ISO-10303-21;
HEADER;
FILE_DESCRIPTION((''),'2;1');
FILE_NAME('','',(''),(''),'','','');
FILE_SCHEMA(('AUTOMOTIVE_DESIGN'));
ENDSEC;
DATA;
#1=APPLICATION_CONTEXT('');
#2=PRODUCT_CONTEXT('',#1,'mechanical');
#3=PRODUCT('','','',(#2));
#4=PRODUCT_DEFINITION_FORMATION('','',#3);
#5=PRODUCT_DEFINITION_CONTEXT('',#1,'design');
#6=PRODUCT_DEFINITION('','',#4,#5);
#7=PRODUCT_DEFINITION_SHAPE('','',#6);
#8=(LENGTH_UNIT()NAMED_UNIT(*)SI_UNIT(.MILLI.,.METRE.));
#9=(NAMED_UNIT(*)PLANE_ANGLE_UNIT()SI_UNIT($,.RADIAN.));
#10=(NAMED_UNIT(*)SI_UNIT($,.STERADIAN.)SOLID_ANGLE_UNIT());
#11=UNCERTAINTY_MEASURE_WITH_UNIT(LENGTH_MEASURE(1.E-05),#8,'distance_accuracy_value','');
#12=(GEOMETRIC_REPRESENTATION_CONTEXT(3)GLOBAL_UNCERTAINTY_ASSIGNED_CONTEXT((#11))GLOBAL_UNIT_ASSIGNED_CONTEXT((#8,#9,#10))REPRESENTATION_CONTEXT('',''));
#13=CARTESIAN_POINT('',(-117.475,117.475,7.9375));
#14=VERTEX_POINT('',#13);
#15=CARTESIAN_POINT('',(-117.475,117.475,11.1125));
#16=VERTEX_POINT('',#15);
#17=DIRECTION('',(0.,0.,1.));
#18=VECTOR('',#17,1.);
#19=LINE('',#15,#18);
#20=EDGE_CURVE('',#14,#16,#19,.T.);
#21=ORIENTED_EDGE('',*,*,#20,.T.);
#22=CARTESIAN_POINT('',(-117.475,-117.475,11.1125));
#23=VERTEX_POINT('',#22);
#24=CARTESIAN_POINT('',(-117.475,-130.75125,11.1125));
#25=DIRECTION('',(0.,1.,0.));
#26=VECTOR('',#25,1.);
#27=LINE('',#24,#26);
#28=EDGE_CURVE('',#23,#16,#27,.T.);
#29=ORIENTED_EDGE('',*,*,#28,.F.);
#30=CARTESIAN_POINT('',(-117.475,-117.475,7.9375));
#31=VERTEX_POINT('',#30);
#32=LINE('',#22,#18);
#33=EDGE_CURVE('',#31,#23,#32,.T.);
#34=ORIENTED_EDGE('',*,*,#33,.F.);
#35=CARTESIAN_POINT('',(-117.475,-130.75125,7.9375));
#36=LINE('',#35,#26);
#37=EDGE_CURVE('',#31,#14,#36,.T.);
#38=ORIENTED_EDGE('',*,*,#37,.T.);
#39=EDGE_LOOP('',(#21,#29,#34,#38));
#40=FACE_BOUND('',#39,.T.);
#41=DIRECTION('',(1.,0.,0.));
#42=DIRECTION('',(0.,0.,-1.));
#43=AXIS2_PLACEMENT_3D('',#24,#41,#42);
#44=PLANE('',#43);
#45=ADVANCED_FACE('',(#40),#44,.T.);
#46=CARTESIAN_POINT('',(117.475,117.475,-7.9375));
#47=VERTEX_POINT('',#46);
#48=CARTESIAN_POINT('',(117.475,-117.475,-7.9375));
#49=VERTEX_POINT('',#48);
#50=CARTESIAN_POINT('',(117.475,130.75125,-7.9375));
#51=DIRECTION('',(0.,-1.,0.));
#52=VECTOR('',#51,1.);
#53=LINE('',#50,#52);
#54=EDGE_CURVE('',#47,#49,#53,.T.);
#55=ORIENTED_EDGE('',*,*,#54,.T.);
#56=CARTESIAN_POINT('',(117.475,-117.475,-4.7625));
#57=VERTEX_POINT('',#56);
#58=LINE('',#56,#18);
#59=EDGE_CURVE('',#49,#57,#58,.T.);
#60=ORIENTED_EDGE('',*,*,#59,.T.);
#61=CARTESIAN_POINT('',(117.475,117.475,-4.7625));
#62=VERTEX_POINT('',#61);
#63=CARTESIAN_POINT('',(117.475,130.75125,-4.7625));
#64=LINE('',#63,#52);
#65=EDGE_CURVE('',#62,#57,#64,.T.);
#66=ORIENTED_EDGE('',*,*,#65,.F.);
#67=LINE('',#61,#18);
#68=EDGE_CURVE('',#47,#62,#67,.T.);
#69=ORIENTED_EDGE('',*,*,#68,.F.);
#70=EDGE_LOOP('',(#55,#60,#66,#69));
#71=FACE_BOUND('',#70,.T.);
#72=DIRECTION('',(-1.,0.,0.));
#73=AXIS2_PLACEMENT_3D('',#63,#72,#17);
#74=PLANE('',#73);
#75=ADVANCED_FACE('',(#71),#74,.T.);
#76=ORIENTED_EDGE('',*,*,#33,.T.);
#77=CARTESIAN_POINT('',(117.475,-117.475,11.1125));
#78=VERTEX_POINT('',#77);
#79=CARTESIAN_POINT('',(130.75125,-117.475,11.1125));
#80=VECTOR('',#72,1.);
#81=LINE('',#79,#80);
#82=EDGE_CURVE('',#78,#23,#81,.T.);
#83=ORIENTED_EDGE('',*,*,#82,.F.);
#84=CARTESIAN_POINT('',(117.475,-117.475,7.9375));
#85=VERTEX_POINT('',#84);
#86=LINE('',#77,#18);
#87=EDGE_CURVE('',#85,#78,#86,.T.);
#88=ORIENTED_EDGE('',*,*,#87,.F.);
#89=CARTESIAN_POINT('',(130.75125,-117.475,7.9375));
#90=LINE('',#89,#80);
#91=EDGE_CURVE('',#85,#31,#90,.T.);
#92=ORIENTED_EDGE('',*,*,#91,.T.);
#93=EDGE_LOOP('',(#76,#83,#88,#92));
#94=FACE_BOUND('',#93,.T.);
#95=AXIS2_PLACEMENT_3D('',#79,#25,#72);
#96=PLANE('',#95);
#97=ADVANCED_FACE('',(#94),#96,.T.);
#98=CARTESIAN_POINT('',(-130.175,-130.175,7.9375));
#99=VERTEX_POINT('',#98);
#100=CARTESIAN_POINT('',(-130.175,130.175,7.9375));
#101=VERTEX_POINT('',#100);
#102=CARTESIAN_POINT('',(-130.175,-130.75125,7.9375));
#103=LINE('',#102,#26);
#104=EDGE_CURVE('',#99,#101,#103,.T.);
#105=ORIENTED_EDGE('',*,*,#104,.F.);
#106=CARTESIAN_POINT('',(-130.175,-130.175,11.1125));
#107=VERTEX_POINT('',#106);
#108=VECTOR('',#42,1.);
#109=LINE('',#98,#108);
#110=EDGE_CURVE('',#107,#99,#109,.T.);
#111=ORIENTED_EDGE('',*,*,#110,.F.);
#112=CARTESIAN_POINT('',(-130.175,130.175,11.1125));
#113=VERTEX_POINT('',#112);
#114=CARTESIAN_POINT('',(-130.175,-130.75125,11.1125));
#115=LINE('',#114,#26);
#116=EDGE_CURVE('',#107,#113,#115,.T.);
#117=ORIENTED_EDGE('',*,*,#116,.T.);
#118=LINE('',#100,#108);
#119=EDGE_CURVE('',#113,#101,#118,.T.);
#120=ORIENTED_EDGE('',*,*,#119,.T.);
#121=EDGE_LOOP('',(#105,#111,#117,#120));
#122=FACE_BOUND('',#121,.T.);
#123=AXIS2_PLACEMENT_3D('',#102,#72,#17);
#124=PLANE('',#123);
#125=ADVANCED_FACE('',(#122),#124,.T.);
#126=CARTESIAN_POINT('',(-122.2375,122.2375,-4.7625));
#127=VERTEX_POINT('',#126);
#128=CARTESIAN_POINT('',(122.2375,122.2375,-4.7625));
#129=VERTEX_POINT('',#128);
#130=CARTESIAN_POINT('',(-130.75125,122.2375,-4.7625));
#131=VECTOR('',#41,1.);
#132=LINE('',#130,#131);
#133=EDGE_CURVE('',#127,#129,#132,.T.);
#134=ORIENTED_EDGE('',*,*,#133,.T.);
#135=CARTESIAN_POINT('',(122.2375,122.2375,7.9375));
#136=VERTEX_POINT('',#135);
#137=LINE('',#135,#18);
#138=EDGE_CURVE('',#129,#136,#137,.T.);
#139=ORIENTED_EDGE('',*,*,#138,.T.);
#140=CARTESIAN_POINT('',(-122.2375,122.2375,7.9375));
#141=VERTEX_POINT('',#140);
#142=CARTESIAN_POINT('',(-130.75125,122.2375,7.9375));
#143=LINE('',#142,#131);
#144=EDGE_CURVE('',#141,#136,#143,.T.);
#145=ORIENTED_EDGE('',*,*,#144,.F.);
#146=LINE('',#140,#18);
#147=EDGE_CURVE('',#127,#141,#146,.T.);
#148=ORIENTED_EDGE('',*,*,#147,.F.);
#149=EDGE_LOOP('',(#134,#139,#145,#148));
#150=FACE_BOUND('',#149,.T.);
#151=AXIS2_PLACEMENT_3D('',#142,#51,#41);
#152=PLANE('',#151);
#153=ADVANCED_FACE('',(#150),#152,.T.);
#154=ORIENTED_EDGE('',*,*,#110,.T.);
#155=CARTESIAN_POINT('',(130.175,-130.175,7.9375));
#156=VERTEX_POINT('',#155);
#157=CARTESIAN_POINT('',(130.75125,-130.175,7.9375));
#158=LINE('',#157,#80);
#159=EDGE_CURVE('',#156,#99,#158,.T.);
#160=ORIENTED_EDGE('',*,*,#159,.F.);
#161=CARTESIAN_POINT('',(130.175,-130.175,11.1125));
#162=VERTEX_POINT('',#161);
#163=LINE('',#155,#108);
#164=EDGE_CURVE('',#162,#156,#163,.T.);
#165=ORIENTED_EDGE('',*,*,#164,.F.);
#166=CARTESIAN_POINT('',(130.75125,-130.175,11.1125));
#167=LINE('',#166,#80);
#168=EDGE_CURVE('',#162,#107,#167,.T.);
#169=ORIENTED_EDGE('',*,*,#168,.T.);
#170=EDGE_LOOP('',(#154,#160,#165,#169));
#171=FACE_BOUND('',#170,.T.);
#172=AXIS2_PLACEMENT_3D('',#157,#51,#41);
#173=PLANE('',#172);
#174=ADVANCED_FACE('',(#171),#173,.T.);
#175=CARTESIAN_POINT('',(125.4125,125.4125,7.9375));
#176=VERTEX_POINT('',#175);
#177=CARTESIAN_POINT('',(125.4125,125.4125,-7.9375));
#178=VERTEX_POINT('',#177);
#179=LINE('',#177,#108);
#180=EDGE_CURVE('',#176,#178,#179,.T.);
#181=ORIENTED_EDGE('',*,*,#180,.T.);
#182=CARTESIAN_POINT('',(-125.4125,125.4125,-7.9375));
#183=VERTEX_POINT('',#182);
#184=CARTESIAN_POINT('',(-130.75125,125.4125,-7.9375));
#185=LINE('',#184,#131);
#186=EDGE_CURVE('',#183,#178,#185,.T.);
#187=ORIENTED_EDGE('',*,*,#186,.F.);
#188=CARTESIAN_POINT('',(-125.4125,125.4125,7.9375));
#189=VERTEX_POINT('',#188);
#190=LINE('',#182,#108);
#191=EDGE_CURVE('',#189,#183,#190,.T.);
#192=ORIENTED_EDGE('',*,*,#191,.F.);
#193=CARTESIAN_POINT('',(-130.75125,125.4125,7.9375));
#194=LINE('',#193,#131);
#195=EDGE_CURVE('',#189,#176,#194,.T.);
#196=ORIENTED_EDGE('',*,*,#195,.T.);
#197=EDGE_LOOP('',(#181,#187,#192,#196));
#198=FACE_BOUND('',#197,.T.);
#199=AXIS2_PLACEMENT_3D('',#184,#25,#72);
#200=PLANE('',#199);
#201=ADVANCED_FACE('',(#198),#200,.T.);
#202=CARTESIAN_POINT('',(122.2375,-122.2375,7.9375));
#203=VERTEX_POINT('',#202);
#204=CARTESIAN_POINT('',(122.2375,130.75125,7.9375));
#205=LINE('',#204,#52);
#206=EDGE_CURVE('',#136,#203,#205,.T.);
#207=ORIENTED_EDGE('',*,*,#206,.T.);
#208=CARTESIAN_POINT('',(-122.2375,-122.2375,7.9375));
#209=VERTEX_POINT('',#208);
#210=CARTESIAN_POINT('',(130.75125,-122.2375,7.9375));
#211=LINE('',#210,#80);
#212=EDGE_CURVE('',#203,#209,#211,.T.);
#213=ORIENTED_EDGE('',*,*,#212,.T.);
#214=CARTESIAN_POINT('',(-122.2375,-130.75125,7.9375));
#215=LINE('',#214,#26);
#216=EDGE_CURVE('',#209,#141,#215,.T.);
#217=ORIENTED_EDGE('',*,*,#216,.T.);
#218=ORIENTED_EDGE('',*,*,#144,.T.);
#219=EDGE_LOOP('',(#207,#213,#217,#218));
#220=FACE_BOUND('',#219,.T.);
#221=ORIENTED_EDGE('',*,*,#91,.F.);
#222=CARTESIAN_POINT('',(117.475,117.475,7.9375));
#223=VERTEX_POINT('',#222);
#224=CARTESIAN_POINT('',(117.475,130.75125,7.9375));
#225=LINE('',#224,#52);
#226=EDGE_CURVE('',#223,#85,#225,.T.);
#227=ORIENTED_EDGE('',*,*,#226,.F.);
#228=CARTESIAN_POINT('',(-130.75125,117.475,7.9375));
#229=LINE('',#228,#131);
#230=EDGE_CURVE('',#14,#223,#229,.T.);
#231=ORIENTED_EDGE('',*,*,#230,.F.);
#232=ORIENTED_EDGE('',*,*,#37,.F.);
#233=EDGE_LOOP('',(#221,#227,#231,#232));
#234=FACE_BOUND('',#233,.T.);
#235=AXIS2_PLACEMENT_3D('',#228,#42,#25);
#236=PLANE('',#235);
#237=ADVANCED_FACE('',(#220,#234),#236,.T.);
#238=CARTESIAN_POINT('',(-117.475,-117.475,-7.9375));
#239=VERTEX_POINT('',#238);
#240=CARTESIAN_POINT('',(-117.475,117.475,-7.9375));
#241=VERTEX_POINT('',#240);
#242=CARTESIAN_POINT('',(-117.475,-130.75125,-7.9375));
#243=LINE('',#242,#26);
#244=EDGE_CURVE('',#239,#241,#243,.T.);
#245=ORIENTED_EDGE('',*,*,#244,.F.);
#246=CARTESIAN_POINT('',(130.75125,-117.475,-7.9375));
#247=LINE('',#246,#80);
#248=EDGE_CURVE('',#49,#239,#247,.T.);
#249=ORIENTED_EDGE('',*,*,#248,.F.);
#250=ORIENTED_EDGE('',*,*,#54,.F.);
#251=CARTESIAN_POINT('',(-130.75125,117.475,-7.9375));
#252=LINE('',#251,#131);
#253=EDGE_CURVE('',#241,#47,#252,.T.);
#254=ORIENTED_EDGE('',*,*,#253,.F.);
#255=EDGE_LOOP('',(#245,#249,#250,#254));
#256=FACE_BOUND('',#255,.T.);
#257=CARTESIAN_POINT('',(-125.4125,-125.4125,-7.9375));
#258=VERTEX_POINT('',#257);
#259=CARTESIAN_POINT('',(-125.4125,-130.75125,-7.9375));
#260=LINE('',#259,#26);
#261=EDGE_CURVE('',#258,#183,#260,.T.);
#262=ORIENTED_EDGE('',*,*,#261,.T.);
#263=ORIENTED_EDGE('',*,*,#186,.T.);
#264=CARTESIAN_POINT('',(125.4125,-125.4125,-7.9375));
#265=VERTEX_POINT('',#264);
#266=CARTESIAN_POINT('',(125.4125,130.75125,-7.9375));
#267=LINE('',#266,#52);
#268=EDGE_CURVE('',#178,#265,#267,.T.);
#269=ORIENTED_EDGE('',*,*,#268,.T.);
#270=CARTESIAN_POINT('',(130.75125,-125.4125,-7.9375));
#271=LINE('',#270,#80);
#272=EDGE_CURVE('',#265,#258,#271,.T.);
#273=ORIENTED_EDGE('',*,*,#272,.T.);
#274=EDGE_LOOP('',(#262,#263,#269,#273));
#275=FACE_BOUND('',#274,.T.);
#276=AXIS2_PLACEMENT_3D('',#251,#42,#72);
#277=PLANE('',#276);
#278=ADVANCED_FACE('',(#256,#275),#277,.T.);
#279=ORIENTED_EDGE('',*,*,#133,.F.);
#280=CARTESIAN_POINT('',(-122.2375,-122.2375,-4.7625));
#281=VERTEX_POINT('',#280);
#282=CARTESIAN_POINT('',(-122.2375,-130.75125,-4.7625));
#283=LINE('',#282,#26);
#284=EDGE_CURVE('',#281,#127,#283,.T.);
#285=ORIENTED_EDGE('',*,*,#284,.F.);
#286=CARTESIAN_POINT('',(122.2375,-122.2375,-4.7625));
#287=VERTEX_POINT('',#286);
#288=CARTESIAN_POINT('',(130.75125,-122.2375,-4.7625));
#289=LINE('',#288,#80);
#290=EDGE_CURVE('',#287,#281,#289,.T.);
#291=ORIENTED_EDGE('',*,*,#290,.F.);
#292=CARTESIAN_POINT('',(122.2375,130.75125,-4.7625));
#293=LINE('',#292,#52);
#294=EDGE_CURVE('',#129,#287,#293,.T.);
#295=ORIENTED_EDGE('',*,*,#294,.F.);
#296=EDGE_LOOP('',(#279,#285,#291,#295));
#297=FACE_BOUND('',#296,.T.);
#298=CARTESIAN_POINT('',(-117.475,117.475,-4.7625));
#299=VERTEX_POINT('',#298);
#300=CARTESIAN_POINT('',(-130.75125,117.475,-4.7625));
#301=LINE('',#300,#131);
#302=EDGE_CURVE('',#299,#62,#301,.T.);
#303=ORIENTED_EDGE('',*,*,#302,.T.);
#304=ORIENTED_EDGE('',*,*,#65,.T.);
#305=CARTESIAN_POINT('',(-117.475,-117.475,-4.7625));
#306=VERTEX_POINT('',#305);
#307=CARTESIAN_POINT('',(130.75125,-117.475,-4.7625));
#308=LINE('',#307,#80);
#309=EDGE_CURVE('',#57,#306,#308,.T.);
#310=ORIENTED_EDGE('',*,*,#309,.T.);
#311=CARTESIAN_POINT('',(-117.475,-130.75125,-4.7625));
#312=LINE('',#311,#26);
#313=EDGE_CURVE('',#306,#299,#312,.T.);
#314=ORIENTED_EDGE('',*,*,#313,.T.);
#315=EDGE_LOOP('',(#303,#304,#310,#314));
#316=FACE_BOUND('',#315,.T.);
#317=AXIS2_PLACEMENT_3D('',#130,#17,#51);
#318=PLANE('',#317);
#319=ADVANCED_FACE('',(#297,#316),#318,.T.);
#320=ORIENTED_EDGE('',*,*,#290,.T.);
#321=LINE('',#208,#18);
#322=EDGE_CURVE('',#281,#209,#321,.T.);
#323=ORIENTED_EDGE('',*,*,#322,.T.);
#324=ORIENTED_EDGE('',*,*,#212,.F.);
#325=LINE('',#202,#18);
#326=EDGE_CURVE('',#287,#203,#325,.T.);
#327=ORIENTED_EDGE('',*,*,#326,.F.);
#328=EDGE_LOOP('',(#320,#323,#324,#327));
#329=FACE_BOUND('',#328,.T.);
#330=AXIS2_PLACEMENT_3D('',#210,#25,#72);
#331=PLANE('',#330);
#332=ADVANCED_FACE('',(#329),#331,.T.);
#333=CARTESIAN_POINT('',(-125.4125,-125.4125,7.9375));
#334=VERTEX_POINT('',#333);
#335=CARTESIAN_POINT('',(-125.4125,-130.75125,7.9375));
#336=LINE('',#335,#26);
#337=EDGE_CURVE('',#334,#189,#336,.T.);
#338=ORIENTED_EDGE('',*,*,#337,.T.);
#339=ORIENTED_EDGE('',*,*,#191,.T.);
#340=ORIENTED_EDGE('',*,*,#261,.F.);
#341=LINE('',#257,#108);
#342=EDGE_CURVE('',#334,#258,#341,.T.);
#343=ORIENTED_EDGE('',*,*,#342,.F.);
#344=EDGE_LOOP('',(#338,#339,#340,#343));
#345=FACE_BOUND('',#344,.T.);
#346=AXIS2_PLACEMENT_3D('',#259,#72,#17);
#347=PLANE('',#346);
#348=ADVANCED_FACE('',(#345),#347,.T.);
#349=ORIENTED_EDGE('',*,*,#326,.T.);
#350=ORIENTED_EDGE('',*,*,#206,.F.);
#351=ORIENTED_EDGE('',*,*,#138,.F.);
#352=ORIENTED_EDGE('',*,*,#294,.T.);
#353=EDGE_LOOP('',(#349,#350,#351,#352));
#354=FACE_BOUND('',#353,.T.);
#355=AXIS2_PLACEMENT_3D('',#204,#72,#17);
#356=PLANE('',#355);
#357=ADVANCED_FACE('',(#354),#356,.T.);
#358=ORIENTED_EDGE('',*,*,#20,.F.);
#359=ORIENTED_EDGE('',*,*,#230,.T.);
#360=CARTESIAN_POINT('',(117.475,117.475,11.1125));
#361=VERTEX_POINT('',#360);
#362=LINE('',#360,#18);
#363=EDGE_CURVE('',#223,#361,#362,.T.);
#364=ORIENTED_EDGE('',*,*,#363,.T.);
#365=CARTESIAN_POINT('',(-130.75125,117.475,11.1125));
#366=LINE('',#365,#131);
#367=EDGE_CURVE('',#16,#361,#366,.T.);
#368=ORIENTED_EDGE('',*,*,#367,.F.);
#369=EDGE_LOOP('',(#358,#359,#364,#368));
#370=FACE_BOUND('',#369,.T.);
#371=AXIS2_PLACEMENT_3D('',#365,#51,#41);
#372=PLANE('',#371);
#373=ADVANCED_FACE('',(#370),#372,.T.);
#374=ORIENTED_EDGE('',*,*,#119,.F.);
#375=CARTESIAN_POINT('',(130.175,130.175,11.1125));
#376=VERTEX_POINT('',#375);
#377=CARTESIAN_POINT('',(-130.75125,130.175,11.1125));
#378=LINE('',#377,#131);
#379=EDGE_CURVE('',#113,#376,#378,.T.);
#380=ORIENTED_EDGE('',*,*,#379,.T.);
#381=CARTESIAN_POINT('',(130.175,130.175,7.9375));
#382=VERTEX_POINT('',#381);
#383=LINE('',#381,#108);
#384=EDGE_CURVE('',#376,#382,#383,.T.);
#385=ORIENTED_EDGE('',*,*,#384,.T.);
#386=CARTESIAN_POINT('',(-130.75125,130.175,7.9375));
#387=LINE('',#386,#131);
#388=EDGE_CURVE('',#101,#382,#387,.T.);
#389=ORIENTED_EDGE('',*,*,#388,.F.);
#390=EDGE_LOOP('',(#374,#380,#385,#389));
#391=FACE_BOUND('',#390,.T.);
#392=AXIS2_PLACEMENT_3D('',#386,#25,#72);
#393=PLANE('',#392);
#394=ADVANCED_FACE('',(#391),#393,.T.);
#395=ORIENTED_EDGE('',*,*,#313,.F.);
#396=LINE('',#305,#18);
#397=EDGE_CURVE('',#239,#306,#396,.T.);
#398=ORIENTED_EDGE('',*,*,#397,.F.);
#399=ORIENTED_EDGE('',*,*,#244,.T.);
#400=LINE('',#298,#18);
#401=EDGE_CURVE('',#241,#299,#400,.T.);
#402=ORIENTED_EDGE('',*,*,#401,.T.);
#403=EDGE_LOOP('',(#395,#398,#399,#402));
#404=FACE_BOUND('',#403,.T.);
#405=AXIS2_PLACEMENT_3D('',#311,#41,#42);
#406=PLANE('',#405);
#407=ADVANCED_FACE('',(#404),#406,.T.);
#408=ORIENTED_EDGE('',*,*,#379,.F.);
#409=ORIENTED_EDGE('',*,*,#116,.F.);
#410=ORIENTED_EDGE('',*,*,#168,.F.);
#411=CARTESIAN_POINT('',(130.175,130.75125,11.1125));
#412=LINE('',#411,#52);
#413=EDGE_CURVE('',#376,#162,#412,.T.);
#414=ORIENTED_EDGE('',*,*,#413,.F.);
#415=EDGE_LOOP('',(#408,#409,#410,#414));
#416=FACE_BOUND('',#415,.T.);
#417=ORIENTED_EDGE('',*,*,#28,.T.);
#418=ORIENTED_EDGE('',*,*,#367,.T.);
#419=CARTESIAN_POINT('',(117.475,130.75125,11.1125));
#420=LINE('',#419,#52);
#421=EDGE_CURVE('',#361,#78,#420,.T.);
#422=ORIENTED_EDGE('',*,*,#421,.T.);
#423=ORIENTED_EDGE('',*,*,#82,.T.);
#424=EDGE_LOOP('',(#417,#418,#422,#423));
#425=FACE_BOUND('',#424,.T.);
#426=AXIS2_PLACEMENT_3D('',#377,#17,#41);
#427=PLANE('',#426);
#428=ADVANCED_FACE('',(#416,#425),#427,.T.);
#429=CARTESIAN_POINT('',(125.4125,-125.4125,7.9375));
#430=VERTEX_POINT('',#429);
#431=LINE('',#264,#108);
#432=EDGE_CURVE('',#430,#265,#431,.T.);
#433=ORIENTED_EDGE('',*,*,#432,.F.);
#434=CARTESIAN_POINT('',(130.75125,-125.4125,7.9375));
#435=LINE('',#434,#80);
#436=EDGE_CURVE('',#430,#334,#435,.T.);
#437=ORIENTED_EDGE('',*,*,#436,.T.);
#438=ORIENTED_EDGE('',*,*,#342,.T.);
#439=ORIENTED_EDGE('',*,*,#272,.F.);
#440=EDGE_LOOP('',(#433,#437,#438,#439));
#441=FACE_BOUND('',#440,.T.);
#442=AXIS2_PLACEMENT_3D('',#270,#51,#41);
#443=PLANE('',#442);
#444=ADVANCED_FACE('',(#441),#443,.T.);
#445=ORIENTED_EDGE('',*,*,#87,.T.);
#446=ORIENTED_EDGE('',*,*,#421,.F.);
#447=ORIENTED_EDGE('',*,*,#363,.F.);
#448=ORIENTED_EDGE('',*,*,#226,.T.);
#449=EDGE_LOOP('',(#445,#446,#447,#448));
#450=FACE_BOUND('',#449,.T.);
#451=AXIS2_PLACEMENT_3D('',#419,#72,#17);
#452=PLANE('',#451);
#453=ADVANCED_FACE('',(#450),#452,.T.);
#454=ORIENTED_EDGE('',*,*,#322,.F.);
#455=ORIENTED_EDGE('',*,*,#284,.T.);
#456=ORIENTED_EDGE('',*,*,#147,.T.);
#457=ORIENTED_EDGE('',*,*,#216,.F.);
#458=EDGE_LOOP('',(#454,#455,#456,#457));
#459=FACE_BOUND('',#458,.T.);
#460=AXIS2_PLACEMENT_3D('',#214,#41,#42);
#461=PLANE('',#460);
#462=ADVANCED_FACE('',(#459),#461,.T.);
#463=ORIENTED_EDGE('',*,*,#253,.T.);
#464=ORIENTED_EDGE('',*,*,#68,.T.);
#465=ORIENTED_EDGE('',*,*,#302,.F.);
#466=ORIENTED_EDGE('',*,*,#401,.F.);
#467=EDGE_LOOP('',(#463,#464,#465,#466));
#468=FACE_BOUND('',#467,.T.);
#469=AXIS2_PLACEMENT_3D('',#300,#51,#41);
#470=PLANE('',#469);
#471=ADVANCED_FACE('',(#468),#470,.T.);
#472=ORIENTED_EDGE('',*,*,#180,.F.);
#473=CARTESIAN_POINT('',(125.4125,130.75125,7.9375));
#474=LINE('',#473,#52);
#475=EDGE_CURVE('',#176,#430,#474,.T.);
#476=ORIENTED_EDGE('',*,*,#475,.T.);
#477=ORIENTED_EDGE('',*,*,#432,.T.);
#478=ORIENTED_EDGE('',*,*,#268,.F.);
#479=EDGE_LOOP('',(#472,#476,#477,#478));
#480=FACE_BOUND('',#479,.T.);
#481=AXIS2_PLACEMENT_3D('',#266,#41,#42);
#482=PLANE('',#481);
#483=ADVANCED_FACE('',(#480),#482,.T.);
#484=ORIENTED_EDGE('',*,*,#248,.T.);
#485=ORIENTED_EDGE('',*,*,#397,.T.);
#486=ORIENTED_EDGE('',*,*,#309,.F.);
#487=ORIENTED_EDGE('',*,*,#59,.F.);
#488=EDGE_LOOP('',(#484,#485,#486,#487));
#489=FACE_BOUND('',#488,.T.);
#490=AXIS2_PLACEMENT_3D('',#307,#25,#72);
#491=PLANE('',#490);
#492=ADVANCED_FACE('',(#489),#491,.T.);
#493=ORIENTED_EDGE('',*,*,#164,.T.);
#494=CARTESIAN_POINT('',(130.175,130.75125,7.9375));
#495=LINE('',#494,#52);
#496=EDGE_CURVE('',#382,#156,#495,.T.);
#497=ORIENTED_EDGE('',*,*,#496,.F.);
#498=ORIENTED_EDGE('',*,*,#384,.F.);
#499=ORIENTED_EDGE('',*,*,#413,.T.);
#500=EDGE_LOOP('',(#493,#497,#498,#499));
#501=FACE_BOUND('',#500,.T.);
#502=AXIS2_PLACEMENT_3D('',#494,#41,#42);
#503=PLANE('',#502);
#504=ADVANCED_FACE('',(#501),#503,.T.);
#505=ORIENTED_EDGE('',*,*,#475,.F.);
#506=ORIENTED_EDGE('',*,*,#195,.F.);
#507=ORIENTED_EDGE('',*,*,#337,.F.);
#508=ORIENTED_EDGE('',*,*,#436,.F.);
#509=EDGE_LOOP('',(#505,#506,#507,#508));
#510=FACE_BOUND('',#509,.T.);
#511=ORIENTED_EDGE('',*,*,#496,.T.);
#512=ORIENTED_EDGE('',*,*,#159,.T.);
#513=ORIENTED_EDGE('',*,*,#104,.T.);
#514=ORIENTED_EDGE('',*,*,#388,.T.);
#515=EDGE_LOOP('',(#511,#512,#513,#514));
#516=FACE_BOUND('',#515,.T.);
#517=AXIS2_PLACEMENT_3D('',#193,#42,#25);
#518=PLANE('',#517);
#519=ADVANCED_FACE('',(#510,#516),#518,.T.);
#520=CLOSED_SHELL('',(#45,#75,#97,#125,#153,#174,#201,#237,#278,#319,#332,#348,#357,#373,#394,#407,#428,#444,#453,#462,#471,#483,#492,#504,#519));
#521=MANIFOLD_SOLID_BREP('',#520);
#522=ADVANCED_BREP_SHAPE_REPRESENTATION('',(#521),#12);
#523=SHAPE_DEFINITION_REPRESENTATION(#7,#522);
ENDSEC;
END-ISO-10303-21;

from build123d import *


with BuildPart() as part:
    # Sweep1: sweep along a path in Sketch2
    with BuildLine(Plane.XY) as sweep1_path:
        Line((125.4125, -125.4125), (-125.4125, -125.4125))
        Line((-125.4125, -125.4125), (-125.4125, 125.4125))
        Line((-125.4125, 125.4125), (125.4125, 125.4125))
        Line((125.4125, 125.4125), (125.4125, -125.4125))
    # Sketch1 → Sweep1 (sweep)
    with BuildSketch(Plane(origin=(0, 0, 0), x_dir=(1, 0, 0), z_dir=(0, 1, 0))):
        Polygon((-125.4125, 7.9375), (-125.4125, -7.9375), (-130.175, -7.9375), (-130.175, -11.1125), (-117.475, -11.1125), (-117.475, -7.9375), (-122.2375, -7.9375), (-122.2375, 4.7625), (-117.475, 4.7625), (-117.475, 7.9375), align=None)
    sweep(path=sweep1_path.line, transition=Transition.RIGHT)


solid = part.part
